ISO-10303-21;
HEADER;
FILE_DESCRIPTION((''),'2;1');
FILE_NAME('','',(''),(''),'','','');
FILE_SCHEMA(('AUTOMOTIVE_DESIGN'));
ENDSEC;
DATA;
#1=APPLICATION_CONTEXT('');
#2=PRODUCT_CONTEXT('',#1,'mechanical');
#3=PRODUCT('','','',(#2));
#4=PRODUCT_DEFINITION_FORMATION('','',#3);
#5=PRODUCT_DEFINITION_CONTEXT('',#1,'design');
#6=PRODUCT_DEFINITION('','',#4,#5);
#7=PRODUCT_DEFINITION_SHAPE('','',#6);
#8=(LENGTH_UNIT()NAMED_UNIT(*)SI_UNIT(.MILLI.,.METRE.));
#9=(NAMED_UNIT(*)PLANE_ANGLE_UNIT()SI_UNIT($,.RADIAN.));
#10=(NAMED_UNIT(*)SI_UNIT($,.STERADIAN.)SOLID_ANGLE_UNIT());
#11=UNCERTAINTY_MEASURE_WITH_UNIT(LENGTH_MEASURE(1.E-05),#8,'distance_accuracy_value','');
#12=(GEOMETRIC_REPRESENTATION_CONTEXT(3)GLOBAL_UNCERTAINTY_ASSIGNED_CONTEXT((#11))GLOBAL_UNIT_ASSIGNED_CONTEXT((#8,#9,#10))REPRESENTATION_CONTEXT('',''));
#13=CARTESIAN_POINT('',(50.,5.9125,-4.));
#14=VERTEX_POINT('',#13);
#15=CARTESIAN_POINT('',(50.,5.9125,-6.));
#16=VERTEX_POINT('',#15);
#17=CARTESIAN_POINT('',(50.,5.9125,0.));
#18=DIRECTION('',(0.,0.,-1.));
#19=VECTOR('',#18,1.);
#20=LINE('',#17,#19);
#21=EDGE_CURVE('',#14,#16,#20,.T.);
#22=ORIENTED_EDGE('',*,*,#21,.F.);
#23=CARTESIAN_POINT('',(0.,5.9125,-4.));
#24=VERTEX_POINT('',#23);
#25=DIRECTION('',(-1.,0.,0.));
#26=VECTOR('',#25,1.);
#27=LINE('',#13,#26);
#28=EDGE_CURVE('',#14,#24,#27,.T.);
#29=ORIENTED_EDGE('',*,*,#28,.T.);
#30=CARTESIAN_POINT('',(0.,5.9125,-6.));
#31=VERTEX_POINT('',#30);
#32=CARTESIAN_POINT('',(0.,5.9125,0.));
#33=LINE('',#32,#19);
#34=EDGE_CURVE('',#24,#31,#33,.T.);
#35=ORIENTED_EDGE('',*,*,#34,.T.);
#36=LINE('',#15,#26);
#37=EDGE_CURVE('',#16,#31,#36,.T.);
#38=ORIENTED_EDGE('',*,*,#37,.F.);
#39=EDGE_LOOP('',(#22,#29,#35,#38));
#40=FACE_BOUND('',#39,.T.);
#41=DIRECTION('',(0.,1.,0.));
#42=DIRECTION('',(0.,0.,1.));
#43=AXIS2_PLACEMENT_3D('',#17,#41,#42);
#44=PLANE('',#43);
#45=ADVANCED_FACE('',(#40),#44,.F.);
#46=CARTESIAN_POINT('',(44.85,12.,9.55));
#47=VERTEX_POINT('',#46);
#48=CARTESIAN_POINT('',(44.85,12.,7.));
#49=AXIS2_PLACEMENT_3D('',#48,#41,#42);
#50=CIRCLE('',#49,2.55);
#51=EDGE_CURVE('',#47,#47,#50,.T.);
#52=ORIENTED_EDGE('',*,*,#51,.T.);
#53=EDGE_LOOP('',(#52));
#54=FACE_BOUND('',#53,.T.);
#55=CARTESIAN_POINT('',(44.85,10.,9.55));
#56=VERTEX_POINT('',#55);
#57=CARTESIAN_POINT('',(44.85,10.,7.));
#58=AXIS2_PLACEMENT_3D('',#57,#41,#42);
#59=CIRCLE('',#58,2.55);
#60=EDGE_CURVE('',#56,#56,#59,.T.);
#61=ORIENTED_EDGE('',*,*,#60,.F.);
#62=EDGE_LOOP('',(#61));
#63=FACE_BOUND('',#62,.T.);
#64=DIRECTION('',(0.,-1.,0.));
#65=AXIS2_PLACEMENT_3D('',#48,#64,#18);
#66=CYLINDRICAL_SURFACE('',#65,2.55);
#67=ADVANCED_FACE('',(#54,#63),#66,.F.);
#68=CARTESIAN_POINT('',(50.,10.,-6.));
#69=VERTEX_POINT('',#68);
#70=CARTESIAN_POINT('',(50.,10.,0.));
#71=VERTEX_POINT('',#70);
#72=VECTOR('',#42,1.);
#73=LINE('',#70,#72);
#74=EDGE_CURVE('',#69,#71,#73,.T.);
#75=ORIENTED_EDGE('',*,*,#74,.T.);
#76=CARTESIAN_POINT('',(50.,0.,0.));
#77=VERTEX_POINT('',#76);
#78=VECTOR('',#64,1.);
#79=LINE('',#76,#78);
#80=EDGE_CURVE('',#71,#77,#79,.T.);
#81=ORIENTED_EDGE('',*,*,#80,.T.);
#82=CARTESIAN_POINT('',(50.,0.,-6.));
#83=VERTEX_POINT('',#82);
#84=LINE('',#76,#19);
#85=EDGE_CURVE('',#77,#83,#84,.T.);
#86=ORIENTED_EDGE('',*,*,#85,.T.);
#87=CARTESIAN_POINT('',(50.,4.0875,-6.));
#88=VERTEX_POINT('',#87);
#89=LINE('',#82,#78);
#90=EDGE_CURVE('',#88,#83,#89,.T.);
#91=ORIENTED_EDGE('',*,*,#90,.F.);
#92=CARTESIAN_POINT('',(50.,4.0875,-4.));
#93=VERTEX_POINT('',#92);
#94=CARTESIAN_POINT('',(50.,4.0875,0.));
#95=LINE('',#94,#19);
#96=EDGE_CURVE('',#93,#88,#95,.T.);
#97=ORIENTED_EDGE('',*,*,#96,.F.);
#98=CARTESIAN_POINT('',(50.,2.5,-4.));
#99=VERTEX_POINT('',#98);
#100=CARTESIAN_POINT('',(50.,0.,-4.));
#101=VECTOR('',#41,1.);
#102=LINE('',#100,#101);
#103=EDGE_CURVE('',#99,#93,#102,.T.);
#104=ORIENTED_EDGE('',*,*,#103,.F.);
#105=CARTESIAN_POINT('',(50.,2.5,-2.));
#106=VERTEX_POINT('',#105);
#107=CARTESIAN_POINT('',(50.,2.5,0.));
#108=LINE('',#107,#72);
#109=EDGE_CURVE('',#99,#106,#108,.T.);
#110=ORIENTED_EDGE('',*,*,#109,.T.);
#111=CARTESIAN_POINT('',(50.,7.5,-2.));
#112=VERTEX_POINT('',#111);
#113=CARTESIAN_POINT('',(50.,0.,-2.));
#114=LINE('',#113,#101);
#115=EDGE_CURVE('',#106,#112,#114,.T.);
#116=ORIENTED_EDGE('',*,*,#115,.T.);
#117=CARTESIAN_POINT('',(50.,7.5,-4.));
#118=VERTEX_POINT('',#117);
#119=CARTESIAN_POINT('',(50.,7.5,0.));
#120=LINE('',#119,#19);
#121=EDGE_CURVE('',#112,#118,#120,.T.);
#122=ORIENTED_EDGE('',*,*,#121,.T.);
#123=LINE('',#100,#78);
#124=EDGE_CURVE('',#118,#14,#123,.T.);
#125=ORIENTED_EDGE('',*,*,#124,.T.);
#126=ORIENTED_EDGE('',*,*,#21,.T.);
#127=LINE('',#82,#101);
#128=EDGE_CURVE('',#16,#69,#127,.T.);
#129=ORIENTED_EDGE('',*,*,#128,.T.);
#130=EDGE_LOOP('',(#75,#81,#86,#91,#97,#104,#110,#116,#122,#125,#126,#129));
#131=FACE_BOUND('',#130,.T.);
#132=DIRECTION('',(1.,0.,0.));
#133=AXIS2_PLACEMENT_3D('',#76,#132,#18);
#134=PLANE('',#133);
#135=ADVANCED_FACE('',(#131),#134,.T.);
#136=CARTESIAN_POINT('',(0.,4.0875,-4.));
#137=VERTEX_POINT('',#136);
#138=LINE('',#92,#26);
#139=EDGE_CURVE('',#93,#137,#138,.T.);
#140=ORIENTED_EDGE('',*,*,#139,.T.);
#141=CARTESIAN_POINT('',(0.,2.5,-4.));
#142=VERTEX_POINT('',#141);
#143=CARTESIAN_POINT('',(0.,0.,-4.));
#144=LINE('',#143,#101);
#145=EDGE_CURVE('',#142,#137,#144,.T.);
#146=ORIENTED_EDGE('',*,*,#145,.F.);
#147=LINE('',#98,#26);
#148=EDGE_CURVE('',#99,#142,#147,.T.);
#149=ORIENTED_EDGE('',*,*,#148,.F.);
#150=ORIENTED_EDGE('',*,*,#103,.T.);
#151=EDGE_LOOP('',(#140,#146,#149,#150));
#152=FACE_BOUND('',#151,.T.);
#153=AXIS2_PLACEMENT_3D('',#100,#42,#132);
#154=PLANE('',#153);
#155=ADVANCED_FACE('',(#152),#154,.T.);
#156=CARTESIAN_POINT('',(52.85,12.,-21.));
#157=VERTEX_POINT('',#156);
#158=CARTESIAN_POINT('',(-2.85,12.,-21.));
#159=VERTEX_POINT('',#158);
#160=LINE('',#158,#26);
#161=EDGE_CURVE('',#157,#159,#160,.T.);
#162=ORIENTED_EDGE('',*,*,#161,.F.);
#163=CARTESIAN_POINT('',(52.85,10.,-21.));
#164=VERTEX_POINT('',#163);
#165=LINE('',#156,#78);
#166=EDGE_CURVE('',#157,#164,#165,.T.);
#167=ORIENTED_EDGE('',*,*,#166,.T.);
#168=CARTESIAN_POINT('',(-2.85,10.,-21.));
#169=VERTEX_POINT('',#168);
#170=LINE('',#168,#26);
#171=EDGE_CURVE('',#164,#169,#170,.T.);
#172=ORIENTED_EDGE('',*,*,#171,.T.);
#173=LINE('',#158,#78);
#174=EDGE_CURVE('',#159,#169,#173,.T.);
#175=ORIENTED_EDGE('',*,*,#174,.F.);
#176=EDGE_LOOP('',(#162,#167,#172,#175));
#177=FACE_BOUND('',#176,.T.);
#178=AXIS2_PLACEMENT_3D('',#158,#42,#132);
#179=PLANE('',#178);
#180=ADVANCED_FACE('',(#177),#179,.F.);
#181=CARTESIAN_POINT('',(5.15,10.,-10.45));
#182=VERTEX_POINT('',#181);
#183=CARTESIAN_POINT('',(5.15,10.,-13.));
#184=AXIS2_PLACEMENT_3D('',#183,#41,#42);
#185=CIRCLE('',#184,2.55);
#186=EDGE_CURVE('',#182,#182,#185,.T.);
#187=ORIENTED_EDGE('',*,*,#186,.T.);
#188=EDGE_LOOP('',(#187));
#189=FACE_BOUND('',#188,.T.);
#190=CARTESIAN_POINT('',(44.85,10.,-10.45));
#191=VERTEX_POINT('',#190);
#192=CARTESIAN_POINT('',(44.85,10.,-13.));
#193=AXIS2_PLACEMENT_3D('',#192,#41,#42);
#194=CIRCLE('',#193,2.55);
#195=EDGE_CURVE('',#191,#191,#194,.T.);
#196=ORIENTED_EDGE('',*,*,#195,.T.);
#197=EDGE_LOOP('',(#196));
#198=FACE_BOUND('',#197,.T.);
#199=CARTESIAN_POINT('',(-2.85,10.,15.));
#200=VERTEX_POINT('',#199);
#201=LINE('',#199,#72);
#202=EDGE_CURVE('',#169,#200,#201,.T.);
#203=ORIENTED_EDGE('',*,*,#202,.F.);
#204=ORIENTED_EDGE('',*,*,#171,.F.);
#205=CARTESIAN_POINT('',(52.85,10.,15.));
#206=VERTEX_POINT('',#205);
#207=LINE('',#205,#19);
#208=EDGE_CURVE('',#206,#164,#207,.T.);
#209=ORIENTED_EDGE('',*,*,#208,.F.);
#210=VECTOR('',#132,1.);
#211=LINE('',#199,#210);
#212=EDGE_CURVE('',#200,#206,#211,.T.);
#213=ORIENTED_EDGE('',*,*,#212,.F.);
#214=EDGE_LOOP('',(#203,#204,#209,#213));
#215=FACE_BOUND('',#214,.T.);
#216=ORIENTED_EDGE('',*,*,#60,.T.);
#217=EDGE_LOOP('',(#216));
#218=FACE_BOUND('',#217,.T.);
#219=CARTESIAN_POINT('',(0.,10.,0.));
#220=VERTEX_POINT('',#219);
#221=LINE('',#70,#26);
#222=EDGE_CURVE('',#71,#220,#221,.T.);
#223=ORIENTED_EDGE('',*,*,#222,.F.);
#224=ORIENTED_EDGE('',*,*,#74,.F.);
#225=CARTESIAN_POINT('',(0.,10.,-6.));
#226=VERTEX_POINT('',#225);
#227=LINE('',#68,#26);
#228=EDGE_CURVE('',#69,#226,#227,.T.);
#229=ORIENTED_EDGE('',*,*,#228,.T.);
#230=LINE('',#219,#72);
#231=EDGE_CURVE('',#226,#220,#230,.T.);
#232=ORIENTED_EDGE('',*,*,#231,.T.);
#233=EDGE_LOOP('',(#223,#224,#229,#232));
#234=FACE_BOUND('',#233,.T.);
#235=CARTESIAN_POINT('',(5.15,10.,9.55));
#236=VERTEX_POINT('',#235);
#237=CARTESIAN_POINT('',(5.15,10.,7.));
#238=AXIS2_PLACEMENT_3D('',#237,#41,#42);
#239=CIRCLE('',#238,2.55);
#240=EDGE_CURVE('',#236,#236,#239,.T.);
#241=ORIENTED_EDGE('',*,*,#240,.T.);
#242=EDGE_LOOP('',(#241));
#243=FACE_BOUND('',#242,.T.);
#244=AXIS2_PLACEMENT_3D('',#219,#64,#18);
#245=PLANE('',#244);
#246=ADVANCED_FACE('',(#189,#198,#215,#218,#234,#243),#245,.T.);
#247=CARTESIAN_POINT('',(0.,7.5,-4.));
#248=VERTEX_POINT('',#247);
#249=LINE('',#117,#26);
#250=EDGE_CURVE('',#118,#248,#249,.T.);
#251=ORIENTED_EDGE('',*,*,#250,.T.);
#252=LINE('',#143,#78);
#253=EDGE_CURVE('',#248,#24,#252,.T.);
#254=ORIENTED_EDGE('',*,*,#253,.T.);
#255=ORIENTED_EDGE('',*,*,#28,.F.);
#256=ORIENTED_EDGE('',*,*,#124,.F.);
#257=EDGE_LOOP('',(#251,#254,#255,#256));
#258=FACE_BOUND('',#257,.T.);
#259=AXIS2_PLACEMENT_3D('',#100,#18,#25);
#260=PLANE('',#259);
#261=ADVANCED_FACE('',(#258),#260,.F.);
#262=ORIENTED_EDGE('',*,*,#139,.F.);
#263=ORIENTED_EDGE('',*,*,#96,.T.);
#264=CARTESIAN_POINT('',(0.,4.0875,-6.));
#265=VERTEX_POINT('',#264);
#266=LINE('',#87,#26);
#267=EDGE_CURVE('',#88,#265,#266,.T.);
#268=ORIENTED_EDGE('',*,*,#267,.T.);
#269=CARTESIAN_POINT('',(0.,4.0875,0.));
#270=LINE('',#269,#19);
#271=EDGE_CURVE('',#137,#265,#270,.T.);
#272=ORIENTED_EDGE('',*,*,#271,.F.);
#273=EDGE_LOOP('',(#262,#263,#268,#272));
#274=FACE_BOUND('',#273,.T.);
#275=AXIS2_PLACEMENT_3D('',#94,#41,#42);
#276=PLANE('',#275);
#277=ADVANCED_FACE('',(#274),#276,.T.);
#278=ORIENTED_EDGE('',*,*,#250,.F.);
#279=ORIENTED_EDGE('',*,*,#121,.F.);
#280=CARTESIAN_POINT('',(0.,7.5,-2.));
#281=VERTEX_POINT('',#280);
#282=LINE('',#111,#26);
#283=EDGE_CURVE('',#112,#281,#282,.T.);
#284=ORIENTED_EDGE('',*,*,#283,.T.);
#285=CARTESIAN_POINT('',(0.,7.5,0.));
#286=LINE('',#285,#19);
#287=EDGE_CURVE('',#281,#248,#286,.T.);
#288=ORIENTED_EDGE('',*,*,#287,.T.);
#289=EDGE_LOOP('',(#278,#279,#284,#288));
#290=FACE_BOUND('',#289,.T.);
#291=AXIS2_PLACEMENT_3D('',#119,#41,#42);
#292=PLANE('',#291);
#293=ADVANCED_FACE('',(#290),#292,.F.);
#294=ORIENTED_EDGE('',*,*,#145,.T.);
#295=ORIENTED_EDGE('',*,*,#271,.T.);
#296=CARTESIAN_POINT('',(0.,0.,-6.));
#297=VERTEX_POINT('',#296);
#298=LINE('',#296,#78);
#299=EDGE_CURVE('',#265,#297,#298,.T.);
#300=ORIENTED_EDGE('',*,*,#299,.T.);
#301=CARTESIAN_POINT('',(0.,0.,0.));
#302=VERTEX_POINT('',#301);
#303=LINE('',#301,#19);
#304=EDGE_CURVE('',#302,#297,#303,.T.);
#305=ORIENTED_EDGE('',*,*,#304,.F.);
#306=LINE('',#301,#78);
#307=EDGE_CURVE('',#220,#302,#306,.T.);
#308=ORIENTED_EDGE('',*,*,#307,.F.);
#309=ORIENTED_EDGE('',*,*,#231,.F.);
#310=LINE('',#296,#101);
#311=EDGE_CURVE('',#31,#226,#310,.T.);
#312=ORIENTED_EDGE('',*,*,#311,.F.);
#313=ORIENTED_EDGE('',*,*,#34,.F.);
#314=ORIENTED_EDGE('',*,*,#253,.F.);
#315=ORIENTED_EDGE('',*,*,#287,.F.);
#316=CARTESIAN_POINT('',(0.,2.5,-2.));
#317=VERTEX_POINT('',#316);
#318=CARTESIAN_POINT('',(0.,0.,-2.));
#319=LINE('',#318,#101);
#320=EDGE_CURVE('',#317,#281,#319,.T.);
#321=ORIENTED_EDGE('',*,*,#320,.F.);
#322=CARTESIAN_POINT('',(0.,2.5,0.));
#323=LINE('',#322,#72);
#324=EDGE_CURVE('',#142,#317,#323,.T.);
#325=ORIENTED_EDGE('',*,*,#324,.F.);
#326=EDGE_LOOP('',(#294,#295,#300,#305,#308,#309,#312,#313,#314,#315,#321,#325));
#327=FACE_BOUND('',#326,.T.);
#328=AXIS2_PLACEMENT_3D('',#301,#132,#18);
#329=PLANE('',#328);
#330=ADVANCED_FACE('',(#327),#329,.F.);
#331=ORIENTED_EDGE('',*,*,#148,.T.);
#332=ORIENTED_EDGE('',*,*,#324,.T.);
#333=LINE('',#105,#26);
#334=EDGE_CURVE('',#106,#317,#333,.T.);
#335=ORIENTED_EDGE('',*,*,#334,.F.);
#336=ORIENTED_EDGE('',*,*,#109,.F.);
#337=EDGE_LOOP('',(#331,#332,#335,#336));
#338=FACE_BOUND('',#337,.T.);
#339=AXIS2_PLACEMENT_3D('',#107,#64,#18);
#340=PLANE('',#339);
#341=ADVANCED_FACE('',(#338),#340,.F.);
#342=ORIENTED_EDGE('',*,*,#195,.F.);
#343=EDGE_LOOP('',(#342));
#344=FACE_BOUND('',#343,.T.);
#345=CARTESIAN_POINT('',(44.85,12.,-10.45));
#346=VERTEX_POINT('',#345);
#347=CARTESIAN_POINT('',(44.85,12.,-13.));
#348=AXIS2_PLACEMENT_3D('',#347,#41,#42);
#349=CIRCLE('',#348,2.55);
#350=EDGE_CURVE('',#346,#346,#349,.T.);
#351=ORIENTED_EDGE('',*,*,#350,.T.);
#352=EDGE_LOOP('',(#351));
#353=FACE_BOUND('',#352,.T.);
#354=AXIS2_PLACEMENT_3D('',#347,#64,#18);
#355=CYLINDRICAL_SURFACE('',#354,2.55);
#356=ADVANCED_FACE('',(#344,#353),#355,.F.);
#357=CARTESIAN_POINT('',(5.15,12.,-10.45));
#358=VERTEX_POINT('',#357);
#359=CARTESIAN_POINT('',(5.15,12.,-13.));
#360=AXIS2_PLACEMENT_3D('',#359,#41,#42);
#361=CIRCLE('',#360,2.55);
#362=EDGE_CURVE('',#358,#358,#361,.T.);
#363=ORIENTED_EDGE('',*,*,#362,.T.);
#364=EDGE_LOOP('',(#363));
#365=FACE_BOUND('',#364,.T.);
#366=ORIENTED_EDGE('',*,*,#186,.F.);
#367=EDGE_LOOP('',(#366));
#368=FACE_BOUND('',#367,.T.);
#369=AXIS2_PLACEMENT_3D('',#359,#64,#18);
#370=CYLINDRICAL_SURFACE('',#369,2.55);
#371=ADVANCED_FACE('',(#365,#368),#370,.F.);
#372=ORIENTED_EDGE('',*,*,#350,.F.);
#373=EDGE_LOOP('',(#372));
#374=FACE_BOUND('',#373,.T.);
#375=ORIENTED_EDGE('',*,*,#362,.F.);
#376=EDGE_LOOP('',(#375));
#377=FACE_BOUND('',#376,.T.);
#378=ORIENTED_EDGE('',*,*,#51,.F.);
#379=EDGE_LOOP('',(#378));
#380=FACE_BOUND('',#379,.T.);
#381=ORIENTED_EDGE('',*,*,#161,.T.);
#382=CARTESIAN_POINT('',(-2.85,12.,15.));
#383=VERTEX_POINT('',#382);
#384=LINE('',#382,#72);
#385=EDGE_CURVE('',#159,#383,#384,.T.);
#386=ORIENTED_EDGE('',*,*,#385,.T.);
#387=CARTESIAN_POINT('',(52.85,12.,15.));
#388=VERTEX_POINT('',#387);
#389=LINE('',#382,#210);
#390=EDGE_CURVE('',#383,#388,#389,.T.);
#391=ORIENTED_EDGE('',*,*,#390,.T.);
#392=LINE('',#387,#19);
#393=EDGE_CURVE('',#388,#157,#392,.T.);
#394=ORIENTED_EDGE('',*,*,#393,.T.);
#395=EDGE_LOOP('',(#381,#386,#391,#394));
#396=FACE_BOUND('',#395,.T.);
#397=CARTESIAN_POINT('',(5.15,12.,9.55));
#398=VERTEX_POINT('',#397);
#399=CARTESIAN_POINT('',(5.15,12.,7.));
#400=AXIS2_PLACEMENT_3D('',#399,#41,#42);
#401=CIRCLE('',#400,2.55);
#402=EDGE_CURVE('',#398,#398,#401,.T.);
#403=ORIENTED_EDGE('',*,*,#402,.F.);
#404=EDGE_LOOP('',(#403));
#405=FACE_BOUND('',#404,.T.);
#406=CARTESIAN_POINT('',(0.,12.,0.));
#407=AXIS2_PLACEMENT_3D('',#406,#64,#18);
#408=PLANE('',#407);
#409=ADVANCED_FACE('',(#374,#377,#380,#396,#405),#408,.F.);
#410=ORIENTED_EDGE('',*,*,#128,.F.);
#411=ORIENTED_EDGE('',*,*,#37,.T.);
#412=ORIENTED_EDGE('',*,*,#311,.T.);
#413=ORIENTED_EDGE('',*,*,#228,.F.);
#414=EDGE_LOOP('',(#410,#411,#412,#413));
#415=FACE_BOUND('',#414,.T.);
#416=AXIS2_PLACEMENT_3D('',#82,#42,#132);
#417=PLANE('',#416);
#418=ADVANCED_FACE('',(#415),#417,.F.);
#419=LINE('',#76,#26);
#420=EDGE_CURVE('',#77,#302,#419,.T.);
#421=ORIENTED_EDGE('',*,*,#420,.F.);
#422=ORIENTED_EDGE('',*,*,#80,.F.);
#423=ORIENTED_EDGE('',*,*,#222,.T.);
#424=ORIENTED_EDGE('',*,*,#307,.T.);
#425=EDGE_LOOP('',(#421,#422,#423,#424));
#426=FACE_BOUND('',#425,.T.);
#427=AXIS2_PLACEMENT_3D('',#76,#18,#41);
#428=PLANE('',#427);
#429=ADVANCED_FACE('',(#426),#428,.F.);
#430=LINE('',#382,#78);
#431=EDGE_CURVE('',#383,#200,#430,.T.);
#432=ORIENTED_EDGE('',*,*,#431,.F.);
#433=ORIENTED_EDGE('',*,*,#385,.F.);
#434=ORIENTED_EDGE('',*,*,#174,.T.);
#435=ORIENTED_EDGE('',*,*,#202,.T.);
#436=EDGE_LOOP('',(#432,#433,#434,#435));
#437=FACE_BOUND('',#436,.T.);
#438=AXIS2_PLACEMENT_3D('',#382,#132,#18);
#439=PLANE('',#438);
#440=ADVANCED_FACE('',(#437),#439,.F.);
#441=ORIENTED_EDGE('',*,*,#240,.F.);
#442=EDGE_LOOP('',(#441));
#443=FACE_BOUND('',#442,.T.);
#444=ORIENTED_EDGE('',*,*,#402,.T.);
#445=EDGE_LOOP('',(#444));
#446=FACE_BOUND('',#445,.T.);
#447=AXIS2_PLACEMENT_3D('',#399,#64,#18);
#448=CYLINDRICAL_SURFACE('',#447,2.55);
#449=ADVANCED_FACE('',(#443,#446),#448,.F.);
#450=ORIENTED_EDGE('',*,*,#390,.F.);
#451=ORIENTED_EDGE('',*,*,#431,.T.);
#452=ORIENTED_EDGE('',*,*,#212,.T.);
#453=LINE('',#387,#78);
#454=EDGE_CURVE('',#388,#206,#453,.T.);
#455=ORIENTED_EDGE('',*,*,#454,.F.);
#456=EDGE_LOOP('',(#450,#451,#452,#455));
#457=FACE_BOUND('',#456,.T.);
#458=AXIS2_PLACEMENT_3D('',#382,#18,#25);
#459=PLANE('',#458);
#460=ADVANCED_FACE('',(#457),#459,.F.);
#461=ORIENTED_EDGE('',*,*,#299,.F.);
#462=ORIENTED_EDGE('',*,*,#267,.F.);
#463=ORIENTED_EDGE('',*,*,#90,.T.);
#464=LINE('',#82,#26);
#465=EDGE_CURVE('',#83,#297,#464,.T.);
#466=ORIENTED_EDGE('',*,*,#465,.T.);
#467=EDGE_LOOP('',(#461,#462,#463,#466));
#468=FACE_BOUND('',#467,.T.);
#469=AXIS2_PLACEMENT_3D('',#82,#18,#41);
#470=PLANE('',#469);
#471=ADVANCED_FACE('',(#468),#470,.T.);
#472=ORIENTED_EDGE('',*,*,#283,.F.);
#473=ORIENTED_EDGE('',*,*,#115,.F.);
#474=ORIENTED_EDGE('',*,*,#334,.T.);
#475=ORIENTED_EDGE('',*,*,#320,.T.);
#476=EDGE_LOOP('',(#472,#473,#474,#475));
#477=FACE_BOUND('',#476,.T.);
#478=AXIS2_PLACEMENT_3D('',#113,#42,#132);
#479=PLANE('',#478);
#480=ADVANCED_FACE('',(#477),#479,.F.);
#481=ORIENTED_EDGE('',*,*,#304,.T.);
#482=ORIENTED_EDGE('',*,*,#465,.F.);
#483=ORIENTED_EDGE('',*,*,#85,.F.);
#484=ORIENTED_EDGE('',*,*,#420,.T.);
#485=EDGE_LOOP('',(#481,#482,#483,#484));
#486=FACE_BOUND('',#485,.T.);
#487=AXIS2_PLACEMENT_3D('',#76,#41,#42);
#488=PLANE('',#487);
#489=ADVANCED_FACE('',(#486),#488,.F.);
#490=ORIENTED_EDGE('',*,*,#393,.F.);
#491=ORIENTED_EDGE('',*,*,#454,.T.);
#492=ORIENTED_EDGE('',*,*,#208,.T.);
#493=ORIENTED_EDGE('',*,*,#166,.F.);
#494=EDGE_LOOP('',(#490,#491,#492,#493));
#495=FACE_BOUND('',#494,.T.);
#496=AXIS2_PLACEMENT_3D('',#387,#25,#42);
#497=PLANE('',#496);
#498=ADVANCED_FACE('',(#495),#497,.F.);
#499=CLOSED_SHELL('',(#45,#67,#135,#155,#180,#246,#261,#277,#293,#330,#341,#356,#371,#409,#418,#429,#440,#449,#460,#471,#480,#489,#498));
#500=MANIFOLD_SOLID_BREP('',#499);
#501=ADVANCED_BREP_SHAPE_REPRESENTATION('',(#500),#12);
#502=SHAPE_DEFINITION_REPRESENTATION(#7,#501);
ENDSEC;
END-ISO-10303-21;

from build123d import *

# Parameters (mm, degrees)
BOSS_EXTRUDE1_DEPTH = 50
SKETCH2_W           = 55.7
SKETCH2_H           = 36
SKETCH2_R           = 2.55
BOSS_EXTRUDE2_DEPTH = 2


with BuildPart() as part:
    # Sketch1 → Boss-Extrude1 (new body)
    with BuildSketch(Plane(origin=(0, 0, 0), x_dir=(0, 0, -1), z_dir=(1, 0, 0))):
        Polygon((0, 10), (0, 0), (6, 0), (6, 4.0875), (4, 4.0875), (4, 2.5), (2, 2.5), (2, 7.5), (4, 7.5), (4, 5.9125), (6, 5.9125), (6, 10), align=None)
    extrude(amount=BOSS_EXTRUDE1_DEPTH)

    # Sketch2 → Boss-Extrude2 (add)
    with BuildSketch(Plane(origin=(0, 10, 0), x_dir=(1, 0, 0), z_dir=(0, 1, 0))):
        with Locations((25, 3)):
            Rectangle(SKETCH2_W, SKETCH2_H)
        with Locations(Location((5.15, 13, 0), (0, 0, 270))):
            Circle(SKETCH2_R, mode=Mode.SUBTRACT)
        with Locations(Location((44.85, 13, 0), (0, 0, 270))):
            Circle(SKETCH2_R, mode=Mode.SUBTRACT)
        with Locations(Location((44.85, -7, 0), (0, 0, 270))):
            Circle(SKETCH2_R, mode=Mode.SUBTRACT)
        with Locations(Location((5.15, -7, 0), (0, 0, 270))):
            Circle(SKETCH2_R, mode=Mode.SUBTRACT)
    extrude(amount=BOSS_EXTRUDE2_DEPTH)


solid = part.part
